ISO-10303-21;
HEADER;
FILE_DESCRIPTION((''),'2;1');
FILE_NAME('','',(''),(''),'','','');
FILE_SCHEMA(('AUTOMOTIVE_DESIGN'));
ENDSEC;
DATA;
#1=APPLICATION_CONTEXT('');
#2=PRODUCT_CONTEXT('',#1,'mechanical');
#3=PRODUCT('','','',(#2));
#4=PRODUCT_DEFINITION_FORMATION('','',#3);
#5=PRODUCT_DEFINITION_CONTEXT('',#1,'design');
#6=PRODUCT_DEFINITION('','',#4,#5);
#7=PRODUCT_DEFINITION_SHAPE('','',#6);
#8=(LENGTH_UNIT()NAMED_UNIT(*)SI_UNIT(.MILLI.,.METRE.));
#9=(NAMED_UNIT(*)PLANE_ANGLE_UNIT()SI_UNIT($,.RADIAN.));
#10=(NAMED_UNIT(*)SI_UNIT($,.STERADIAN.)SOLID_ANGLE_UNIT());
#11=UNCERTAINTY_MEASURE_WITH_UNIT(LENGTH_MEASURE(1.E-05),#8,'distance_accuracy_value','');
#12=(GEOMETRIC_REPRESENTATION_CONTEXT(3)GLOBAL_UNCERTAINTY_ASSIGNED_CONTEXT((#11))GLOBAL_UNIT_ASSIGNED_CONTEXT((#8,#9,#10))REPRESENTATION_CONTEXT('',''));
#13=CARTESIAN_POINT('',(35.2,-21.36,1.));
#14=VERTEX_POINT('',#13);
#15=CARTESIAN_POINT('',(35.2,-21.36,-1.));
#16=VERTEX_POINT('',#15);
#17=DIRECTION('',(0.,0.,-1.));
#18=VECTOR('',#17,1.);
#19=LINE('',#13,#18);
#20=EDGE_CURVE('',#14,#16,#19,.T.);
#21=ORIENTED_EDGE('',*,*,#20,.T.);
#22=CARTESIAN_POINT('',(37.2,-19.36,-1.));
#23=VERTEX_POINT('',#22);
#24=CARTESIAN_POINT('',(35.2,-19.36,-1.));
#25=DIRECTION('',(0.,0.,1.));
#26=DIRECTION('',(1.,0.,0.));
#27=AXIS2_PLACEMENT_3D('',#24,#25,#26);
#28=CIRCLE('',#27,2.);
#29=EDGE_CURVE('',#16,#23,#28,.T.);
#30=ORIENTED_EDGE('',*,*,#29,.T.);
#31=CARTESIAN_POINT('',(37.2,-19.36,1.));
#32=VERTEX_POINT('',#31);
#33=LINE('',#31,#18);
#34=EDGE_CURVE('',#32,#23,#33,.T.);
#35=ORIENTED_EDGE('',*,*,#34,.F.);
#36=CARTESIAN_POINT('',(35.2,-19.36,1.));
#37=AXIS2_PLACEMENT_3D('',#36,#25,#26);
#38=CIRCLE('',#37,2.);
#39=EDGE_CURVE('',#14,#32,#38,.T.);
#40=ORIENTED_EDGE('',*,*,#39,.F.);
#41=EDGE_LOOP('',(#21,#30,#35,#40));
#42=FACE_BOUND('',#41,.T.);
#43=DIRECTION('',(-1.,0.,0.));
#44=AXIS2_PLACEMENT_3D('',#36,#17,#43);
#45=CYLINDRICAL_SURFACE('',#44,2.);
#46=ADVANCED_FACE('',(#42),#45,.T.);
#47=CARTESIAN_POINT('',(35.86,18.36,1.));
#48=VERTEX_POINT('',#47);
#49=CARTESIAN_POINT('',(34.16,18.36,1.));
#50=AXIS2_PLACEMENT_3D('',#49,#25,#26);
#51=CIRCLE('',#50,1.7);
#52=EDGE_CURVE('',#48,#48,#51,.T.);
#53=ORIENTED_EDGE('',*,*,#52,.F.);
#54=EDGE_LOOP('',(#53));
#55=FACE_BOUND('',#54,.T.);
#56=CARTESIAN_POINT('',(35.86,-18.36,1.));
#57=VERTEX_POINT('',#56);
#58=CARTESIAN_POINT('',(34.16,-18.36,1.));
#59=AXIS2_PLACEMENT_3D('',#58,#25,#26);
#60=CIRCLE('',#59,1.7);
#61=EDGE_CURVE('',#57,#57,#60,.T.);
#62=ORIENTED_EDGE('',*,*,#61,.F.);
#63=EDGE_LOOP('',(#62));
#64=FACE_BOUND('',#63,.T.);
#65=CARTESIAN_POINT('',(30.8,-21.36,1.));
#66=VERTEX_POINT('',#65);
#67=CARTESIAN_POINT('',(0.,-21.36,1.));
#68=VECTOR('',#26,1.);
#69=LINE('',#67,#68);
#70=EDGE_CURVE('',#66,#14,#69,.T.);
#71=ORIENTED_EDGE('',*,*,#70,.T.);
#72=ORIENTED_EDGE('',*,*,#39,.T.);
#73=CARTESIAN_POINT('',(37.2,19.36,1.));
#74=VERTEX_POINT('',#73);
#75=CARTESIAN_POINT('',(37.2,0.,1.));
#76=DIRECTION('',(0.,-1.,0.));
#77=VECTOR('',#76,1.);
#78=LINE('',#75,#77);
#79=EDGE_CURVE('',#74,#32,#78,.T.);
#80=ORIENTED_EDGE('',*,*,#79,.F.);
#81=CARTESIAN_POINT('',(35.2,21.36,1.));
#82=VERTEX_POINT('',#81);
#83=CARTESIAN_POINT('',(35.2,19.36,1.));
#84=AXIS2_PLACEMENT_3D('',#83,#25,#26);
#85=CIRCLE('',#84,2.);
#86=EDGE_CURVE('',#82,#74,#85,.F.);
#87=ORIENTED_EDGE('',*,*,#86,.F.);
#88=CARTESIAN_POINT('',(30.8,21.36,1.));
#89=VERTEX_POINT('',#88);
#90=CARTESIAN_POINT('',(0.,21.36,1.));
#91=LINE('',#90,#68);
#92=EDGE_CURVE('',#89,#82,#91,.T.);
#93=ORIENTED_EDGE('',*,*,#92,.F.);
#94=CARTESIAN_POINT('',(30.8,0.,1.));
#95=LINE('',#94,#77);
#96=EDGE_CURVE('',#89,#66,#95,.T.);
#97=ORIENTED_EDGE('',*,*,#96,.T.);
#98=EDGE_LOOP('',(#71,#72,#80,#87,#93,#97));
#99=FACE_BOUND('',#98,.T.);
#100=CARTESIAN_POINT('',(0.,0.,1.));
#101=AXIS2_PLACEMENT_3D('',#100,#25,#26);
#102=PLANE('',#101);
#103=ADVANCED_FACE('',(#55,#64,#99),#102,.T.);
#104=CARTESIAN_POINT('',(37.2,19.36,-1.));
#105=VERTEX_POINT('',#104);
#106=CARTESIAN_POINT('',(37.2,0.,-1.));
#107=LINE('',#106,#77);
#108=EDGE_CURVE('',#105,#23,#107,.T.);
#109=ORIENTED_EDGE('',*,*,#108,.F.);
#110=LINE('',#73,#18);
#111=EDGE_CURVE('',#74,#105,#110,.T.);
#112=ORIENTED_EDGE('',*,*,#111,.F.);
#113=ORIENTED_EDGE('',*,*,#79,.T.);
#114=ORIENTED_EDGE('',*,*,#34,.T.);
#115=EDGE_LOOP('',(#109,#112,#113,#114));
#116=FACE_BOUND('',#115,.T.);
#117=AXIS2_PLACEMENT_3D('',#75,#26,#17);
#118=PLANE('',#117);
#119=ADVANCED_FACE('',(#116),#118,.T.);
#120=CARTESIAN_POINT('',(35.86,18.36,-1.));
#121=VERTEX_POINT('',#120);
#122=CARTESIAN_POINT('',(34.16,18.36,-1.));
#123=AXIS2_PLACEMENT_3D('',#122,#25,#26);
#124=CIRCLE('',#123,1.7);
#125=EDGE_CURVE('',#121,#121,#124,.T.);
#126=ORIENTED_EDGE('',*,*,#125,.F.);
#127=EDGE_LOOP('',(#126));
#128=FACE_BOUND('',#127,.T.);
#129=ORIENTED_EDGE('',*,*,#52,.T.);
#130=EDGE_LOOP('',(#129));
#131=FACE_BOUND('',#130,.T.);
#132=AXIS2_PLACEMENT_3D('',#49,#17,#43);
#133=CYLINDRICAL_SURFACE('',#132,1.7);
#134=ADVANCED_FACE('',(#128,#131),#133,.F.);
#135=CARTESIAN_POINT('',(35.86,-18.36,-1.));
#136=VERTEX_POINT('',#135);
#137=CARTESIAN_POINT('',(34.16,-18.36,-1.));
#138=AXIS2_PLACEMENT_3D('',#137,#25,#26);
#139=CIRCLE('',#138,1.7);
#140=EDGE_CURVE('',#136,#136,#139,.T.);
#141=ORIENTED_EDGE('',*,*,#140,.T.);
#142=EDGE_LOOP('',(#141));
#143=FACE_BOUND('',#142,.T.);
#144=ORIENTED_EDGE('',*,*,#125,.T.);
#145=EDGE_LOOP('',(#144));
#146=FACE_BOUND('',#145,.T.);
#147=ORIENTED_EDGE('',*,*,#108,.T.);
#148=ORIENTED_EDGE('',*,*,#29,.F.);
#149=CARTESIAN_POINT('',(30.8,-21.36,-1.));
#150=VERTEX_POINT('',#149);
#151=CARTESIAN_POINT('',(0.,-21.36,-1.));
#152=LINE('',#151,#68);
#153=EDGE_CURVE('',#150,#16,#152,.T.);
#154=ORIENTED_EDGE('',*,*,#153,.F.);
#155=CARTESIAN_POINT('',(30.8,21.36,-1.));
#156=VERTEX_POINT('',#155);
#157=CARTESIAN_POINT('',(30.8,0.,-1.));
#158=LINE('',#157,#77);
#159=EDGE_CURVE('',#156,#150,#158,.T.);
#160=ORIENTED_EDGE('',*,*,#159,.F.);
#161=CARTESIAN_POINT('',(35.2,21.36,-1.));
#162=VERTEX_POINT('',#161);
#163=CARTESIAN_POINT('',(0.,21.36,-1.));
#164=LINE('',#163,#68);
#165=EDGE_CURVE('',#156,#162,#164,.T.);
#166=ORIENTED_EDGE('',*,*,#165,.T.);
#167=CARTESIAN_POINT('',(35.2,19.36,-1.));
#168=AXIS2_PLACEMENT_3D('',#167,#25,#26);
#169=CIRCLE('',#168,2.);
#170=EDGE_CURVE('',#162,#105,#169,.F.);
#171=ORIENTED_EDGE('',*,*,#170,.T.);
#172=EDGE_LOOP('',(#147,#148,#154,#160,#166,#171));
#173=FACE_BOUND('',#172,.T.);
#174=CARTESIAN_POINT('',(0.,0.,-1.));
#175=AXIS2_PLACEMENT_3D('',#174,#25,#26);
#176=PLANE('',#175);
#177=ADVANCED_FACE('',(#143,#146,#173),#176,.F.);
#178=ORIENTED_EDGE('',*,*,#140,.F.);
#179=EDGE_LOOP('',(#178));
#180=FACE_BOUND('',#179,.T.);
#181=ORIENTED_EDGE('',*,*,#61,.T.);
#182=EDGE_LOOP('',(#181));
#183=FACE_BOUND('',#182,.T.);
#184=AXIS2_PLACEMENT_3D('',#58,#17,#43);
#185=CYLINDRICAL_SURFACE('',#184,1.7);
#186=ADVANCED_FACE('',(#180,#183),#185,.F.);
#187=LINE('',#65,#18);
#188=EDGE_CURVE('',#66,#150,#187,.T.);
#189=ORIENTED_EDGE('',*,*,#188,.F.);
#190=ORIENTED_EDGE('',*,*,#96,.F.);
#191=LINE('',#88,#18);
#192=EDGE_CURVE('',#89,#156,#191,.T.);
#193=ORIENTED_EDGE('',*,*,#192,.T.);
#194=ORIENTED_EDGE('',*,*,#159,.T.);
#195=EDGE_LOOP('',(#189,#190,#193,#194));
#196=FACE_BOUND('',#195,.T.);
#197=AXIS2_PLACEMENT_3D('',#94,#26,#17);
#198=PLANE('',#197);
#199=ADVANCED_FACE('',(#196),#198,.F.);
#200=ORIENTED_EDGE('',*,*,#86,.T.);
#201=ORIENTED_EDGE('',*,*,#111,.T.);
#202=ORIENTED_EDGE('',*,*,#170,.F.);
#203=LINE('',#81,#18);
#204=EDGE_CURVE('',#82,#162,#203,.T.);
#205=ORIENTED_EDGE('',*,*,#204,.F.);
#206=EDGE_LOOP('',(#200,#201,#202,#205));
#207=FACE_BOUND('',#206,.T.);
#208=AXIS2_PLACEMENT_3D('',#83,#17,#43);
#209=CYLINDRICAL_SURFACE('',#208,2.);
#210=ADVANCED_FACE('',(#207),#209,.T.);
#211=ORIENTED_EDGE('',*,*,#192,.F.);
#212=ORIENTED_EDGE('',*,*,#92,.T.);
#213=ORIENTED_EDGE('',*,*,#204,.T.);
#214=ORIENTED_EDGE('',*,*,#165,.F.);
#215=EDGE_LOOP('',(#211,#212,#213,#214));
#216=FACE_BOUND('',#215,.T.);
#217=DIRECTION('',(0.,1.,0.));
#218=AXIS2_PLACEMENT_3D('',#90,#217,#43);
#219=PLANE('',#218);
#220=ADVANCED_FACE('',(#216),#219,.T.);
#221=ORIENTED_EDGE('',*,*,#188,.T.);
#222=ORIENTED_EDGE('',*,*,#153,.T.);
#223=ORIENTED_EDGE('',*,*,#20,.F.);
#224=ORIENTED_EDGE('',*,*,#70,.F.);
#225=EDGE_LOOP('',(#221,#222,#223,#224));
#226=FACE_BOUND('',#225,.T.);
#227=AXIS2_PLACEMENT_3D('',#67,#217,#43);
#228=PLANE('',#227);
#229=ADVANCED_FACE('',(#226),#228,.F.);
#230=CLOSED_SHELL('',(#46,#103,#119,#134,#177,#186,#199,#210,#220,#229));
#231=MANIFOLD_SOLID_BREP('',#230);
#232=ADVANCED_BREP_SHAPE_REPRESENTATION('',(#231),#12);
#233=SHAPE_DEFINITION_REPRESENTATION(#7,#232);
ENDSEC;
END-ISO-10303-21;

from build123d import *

# Parameters (mm, degrees)
SKETCH1_R           = 1.7
BOSS_EXTRUDE1_DEPTH = 1


with BuildPart() as part:
    # Sketch1 → Boss-Extrude1 (new body, symmetric)
    with BuildSketch(Plane.XY):
        with BuildLine():
            Line((35.2, 21.36), (30.8, 21.36))
            Line((30.8, 21.36), (30.8, -21.36))
            Line((30.8, -21.36), (35.2, -21.36))
            ThreePointArc((35.2, -21.36), (36.614213562, -20.774213562), (37.2, -19.36))
            Line((37.2, -19.36), (37.2, 19.36))
            ThreePointArc((37.2, 19.36), (36.614213562, 20.774213562), (35.2, 21.36))
        make_face()
        with Locations((34.16, -18.36)):
            Circle(SKETCH1_R, mode=Mode.SUBTRACT)
        with Locations((34.16, 18.36)):
            Circle(SKETCH1_R, mode=Mode.SUBTRACT)
    extrude(amount=BOSS_EXTRUDE1_DEPTH, both=True)


solid = part.part
